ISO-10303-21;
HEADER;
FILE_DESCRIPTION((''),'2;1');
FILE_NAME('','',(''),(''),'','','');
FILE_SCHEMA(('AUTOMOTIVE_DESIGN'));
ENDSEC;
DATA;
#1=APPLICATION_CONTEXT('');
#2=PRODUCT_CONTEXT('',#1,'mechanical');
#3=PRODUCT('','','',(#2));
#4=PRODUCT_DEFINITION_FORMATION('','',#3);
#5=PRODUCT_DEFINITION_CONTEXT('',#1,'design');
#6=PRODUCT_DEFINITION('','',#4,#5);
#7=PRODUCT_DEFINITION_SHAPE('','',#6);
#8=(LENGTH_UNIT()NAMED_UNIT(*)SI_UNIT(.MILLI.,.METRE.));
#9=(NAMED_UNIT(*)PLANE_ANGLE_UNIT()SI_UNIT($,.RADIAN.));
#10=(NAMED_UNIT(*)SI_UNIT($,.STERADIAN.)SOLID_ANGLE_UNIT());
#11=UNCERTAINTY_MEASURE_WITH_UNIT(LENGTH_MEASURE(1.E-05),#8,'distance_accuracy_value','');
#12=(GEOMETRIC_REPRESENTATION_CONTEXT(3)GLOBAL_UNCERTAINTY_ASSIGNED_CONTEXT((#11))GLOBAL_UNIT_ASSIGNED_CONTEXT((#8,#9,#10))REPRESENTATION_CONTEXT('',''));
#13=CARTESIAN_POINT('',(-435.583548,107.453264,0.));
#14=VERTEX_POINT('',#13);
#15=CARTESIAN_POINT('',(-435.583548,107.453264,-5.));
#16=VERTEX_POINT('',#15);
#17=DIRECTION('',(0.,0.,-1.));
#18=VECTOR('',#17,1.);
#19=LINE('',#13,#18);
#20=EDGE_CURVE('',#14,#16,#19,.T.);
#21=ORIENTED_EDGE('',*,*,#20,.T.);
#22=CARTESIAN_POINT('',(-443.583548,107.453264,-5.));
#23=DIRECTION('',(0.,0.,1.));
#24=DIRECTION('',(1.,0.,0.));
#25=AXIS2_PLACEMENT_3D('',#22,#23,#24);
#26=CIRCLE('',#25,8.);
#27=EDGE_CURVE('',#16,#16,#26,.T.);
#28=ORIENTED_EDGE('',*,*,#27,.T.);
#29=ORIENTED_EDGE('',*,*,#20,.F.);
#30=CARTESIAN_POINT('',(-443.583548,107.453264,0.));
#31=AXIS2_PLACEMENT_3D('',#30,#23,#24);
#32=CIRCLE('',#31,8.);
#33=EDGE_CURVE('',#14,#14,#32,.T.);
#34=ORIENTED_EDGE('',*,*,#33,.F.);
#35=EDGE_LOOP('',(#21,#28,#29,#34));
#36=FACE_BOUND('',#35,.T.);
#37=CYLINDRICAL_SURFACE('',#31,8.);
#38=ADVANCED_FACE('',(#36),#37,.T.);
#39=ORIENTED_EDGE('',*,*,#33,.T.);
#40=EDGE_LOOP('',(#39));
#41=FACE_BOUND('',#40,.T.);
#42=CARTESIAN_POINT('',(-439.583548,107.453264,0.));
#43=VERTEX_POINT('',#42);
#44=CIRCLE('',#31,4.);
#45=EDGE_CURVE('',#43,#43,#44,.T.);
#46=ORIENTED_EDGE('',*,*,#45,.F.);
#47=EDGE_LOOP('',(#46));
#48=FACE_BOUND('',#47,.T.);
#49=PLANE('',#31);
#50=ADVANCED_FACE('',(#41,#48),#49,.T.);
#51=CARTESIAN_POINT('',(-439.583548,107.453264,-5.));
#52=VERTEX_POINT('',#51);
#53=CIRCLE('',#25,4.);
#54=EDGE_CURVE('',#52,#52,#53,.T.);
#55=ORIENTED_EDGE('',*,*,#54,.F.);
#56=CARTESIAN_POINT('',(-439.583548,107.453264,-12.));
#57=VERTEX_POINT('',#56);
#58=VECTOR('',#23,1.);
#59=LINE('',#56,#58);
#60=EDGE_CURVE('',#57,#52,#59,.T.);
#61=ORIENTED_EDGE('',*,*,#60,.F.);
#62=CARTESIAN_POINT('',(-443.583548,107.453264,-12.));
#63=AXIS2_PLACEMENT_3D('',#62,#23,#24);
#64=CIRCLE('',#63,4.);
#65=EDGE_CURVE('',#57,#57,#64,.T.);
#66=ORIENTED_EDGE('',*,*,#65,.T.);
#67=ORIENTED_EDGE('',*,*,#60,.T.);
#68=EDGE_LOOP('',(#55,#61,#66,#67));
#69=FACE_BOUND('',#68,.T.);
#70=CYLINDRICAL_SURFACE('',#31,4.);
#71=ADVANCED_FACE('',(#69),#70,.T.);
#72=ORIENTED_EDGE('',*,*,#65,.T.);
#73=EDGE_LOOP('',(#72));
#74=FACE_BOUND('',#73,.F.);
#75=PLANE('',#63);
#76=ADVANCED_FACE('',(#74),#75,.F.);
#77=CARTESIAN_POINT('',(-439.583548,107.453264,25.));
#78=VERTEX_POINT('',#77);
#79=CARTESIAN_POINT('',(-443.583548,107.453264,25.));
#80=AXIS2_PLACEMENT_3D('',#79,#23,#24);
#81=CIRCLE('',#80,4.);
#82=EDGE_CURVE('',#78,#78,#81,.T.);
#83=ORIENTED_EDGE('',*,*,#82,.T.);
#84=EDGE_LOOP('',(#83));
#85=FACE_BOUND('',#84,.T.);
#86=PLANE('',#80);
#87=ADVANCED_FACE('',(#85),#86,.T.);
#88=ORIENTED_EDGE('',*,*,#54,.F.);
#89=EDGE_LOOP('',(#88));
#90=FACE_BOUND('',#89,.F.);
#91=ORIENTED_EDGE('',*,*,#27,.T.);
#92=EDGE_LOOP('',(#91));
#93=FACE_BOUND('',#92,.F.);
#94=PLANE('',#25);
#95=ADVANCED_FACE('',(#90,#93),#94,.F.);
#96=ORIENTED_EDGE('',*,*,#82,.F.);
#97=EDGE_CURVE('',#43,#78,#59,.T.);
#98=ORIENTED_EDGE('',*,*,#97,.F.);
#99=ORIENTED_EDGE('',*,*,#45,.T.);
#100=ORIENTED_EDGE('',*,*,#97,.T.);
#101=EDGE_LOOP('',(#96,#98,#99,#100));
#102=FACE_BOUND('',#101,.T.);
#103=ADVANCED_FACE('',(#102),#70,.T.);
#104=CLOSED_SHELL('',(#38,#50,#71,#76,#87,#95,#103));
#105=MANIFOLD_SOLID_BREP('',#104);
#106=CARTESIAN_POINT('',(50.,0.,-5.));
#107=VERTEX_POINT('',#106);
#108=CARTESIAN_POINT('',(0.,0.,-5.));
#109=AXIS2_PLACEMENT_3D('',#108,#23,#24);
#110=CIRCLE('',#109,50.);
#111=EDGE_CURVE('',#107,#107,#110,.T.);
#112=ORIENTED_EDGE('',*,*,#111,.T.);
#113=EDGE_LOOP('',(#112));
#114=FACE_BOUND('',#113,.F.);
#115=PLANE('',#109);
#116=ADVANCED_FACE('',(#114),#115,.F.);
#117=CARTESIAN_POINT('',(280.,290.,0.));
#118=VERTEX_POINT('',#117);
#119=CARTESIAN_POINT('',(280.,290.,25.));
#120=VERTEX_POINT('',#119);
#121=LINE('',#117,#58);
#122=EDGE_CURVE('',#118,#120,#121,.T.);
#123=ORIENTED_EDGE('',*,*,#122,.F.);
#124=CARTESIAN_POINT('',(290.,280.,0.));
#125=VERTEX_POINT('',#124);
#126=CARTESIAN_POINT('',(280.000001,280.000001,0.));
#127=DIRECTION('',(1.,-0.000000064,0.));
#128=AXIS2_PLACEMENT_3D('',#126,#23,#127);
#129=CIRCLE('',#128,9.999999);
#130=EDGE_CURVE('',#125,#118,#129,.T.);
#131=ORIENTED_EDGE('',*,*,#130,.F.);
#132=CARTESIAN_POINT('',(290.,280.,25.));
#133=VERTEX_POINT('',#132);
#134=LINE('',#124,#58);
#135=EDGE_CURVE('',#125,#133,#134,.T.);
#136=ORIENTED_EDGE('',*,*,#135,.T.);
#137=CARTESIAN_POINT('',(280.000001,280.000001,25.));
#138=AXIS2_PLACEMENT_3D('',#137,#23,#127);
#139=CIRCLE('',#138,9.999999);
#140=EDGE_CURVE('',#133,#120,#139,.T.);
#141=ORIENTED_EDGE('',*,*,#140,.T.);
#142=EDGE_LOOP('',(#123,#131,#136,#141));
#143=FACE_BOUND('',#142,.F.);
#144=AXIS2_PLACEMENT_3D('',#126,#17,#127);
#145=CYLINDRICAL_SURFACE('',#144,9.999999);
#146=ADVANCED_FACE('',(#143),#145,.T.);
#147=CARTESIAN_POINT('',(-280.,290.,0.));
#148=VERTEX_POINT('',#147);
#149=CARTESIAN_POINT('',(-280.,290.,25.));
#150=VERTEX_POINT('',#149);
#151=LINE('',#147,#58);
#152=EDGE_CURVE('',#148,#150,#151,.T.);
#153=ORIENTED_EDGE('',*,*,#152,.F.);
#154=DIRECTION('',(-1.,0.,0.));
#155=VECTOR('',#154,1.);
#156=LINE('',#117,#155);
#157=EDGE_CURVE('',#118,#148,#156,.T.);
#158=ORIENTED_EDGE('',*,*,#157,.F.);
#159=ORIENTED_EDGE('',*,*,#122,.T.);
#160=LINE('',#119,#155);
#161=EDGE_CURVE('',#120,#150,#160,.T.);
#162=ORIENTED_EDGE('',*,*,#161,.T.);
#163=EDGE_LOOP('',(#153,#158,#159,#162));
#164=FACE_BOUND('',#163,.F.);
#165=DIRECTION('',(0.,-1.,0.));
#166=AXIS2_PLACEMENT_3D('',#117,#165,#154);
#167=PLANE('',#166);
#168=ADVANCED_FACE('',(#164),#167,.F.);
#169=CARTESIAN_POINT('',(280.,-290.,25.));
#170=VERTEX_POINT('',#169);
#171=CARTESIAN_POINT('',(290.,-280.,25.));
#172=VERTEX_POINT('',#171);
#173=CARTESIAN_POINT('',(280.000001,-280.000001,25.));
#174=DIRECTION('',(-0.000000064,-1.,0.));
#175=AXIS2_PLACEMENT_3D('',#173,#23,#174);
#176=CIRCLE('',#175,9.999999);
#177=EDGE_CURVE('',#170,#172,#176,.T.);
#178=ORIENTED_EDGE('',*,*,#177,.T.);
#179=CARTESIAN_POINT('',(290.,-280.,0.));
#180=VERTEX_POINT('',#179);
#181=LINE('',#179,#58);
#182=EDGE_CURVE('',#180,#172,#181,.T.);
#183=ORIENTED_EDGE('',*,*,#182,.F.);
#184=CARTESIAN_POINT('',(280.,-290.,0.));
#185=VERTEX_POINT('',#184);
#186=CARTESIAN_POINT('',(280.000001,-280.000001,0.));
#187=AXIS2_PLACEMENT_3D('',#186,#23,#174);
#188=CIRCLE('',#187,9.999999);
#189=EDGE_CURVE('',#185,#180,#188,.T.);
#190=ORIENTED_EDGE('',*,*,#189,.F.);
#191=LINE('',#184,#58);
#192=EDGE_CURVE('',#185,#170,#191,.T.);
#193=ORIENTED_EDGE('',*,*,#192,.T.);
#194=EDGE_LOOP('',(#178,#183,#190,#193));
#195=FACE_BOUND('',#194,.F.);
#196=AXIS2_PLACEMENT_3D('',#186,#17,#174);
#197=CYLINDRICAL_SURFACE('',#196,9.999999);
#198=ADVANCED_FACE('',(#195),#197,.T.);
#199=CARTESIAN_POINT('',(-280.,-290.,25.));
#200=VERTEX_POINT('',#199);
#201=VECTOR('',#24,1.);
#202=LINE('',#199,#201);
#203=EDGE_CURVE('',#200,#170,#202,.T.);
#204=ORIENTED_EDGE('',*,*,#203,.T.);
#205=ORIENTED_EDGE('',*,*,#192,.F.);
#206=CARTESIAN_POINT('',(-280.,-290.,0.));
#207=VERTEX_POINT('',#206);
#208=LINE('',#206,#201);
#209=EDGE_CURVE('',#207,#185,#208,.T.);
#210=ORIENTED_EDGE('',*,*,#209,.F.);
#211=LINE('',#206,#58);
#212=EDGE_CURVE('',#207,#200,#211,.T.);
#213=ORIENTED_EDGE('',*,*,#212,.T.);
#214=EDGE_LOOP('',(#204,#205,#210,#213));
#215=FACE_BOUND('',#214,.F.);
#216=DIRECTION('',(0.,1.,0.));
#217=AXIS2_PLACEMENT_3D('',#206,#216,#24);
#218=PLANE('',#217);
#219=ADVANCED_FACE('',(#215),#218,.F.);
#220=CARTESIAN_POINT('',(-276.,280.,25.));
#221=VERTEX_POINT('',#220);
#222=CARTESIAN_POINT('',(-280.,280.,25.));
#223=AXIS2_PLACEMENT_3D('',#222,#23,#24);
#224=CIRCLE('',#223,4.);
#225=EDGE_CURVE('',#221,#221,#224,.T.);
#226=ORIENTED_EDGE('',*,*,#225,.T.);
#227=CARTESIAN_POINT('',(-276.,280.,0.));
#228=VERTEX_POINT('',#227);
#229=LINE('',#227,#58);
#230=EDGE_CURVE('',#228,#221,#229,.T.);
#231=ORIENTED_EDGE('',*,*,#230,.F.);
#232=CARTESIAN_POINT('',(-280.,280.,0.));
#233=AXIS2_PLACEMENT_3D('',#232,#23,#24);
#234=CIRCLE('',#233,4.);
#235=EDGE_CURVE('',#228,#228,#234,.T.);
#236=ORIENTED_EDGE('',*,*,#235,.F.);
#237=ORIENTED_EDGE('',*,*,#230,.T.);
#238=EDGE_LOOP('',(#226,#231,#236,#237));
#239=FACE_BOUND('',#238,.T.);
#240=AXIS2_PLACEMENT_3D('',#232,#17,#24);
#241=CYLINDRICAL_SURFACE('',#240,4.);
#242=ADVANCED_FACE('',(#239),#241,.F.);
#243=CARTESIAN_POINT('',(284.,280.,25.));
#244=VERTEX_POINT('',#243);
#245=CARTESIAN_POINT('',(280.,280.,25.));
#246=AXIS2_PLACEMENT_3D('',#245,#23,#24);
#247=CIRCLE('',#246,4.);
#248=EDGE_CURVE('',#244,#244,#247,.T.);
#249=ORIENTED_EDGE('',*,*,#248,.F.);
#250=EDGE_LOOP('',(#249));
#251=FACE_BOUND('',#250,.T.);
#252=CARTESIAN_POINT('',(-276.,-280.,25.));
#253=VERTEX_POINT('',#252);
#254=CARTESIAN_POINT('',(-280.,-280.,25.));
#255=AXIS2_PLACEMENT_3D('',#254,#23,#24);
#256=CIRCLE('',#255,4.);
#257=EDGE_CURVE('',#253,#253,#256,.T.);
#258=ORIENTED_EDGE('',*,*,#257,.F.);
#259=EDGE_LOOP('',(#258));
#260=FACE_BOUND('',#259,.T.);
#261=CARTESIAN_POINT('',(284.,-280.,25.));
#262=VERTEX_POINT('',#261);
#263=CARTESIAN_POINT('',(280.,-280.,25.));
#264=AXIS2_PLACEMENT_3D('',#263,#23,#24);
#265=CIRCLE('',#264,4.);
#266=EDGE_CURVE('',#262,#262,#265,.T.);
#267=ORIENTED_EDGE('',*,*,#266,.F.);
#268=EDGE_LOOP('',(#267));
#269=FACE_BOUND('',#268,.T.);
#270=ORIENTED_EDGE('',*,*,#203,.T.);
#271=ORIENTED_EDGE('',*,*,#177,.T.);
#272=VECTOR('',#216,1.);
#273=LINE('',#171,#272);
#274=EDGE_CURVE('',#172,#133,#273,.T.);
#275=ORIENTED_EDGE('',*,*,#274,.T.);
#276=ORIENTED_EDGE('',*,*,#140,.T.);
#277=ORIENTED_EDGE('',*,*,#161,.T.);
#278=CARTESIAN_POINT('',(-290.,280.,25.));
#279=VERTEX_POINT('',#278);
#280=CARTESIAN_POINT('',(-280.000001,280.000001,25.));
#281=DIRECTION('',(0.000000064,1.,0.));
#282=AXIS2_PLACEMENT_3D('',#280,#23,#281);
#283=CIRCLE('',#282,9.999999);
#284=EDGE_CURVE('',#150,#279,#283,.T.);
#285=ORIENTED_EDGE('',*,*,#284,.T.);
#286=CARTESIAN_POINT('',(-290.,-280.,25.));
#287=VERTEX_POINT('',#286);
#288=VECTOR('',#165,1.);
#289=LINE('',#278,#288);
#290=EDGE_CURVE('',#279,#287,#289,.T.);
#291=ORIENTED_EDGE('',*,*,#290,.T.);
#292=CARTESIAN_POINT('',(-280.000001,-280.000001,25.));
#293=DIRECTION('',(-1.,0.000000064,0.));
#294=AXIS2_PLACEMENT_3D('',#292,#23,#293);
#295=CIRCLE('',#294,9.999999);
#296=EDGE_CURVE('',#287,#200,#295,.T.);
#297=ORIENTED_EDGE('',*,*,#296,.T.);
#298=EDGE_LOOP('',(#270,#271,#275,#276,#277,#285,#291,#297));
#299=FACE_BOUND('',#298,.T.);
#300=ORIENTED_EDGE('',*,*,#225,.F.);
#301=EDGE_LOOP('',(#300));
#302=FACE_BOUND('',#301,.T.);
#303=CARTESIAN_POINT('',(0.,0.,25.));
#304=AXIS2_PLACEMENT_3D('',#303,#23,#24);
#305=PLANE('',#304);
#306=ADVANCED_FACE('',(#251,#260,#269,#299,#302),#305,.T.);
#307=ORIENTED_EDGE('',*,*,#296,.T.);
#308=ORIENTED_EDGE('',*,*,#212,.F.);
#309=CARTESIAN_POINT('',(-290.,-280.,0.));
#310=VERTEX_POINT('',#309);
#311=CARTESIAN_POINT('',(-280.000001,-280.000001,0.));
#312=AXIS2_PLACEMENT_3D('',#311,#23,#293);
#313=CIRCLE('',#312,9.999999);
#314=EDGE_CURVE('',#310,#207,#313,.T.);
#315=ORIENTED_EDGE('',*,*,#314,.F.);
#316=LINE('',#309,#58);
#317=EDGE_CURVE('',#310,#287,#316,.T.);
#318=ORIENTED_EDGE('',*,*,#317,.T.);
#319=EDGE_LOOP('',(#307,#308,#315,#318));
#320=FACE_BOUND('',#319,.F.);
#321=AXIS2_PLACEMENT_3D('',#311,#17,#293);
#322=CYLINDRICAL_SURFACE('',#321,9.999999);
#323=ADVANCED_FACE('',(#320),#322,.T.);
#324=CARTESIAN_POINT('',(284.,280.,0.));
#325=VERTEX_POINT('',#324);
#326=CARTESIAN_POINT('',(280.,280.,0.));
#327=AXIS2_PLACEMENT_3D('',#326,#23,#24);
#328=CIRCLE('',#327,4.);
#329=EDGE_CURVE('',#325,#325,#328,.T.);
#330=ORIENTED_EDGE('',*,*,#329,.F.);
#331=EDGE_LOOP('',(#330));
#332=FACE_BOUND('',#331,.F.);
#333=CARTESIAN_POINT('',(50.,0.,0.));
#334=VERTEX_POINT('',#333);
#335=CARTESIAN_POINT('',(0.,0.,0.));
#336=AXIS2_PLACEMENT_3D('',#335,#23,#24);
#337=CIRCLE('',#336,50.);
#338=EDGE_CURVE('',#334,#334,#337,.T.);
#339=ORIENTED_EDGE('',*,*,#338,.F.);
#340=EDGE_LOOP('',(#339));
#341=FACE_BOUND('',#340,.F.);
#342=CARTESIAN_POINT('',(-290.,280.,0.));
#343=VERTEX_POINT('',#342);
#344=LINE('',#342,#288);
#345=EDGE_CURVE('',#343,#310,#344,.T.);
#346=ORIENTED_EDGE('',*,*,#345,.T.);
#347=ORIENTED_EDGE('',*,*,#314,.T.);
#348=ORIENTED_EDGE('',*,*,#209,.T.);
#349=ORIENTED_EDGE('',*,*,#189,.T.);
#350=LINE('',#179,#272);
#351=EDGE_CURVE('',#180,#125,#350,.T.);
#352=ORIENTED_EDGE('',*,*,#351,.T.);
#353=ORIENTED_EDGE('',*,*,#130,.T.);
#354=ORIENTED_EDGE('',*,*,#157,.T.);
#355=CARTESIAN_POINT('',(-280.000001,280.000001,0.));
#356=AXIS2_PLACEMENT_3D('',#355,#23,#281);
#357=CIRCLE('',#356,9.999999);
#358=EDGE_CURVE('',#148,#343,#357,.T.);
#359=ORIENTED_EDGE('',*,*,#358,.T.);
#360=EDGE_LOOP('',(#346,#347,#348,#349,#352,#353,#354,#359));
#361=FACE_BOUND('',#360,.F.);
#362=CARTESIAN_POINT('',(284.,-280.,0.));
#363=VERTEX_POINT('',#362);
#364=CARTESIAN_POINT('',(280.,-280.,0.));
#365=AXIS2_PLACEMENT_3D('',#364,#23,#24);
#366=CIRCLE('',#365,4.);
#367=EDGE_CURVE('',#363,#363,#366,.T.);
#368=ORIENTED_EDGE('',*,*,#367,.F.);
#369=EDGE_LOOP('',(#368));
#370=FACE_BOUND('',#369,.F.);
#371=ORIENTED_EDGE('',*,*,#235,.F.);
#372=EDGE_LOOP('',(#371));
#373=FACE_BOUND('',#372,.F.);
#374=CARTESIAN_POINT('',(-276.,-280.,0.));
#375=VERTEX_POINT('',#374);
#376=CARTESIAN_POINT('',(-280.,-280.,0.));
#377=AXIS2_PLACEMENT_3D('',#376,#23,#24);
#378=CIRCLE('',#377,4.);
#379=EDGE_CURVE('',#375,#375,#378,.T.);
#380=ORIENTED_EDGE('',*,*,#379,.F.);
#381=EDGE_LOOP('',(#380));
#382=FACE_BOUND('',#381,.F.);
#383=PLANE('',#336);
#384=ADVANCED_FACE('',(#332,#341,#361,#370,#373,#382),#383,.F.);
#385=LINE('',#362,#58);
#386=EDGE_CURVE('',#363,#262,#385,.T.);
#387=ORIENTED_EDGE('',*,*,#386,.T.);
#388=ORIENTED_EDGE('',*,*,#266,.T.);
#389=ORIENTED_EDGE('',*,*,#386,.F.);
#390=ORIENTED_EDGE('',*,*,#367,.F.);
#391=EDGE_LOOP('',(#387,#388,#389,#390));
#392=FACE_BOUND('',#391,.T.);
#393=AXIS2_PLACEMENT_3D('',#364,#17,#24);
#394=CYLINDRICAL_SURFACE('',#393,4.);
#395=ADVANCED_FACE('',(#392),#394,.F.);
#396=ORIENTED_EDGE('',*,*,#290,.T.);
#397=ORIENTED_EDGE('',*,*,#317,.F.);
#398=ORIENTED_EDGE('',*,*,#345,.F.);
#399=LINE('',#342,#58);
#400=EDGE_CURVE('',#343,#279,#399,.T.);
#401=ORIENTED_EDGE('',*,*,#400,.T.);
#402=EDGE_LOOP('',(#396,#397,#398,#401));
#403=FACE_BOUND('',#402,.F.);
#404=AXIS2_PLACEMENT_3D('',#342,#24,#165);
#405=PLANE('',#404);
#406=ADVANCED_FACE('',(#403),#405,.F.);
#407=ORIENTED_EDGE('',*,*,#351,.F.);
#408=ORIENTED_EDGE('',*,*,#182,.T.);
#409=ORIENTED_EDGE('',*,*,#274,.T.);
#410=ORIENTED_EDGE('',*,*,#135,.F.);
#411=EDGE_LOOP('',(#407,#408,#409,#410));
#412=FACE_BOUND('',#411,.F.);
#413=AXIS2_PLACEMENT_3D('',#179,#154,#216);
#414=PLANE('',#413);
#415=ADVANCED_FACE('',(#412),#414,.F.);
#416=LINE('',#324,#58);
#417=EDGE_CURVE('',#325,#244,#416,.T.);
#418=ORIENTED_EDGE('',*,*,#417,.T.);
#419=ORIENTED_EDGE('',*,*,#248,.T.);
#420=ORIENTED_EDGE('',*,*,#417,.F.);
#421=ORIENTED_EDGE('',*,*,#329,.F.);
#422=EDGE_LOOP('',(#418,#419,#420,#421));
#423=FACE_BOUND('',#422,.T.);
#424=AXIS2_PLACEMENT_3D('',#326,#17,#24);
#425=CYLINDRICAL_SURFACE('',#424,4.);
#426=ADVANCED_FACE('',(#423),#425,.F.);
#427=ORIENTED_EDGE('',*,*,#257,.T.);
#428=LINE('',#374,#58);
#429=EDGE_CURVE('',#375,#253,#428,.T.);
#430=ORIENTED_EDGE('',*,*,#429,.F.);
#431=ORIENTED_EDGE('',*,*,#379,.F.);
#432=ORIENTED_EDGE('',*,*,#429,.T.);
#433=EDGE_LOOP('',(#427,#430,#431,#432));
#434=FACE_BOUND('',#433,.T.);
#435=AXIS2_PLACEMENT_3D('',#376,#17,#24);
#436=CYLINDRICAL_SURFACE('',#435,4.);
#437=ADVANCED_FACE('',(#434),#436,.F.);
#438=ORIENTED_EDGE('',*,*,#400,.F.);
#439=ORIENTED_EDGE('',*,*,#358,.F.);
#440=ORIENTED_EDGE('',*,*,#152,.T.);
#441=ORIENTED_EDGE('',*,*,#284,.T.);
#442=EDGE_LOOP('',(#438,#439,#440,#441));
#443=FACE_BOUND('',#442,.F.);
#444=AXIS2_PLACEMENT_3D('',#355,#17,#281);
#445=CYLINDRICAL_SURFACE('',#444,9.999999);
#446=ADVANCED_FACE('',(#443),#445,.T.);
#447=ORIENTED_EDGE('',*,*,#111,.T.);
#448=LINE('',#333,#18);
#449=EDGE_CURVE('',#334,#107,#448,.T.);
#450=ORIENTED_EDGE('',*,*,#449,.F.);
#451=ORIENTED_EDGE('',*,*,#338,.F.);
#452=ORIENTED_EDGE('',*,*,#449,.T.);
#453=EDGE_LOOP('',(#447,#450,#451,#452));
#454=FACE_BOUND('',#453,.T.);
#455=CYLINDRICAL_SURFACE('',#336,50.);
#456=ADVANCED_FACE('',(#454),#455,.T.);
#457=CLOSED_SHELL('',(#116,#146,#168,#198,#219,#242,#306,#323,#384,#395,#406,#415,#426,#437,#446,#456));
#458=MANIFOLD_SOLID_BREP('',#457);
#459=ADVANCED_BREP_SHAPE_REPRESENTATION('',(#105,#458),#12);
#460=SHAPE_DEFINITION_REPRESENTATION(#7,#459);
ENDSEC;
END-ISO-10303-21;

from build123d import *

# Parameters (mm, degrees)
F0_R          = 4
F0_R_2        = 50
F1_DEPTH      = 25
F2_R          = 4
F3_DEPTH      = 25
F3_DEPTH_BACK = 12
F2_R_2        = 8
F4_DEPTH      = 5
F5_DEPTH      = 5


with BuildPart() as f1:
    # F0 (on Top) → F1 (new body)
    with BuildSketch(Plane.XY):
        with BuildLine():
            ThreePointArc((290, 280), (287.071068, 287.071068), (280, 290))
            Line((280, 290), (-280, 290))
            ThreePointArc((-280, 290), (-287.071068, 287.071068), (-290, 280))
            Line((-290, 280), (-290, -280))
            ThreePointArc((-290, -280), (-287.071068, -287.071068), (-280, -290))
            Line((-280, -290), (280, -290))
            ThreePointArc((280, -290), (287.071068, -287.071068), (290, -280))
            Line((290, -280), (290, 280))
        make_face()
        with Locations((-280, -280)):
            Circle(F0_R, mode=Mode.SUBTRACT)
        with Locations((280, -280)):
            Circle(F0_R, mode=Mode.SUBTRACT)
        with Locations((-280, 280)):
            Circle(F0_R, mode=Mode.SUBTRACT)
        Circle(F0_R_2, mode=Mode.SUBTRACT)
        with Locations((280, 280)):
            Circle(F0_R, mode=Mode.SUBTRACT)
        Circle(F0_R_2)
    extrude(amount=F1_DEPTH)

    # F0 (on Top) → F5 (join)
    with BuildSketch(Plane.XY):
        Circle(F0_R_2)
    extrude(amount=-F5_DEPTH)


with BuildPart() as f3:
    # F2 (on Top) → F3 (new body, two sides)
    with BuildSketch(Plane.XY) as f3_sk:
        with Locations((-443.583548, 107.453264)):
            Circle(F2_R)
    extrude(amount=F3_DEPTH)
    extrude(f3_sk.sketch, amount=-F3_DEPTH_BACK)

    # F2 (on Top) → F4 (join)
    with BuildSketch(Plane.XY):
        with Locations((-443.583548, 107.453264)):
            Circle(F2_R_2)
        with Locations((-443.583548, 107.453264)):
            Circle(F2_R, mode=Mode.SUBTRACT)
    extrude(amount=-F4_DEPTH)


solid = Compound([f1.part, f3.part])
